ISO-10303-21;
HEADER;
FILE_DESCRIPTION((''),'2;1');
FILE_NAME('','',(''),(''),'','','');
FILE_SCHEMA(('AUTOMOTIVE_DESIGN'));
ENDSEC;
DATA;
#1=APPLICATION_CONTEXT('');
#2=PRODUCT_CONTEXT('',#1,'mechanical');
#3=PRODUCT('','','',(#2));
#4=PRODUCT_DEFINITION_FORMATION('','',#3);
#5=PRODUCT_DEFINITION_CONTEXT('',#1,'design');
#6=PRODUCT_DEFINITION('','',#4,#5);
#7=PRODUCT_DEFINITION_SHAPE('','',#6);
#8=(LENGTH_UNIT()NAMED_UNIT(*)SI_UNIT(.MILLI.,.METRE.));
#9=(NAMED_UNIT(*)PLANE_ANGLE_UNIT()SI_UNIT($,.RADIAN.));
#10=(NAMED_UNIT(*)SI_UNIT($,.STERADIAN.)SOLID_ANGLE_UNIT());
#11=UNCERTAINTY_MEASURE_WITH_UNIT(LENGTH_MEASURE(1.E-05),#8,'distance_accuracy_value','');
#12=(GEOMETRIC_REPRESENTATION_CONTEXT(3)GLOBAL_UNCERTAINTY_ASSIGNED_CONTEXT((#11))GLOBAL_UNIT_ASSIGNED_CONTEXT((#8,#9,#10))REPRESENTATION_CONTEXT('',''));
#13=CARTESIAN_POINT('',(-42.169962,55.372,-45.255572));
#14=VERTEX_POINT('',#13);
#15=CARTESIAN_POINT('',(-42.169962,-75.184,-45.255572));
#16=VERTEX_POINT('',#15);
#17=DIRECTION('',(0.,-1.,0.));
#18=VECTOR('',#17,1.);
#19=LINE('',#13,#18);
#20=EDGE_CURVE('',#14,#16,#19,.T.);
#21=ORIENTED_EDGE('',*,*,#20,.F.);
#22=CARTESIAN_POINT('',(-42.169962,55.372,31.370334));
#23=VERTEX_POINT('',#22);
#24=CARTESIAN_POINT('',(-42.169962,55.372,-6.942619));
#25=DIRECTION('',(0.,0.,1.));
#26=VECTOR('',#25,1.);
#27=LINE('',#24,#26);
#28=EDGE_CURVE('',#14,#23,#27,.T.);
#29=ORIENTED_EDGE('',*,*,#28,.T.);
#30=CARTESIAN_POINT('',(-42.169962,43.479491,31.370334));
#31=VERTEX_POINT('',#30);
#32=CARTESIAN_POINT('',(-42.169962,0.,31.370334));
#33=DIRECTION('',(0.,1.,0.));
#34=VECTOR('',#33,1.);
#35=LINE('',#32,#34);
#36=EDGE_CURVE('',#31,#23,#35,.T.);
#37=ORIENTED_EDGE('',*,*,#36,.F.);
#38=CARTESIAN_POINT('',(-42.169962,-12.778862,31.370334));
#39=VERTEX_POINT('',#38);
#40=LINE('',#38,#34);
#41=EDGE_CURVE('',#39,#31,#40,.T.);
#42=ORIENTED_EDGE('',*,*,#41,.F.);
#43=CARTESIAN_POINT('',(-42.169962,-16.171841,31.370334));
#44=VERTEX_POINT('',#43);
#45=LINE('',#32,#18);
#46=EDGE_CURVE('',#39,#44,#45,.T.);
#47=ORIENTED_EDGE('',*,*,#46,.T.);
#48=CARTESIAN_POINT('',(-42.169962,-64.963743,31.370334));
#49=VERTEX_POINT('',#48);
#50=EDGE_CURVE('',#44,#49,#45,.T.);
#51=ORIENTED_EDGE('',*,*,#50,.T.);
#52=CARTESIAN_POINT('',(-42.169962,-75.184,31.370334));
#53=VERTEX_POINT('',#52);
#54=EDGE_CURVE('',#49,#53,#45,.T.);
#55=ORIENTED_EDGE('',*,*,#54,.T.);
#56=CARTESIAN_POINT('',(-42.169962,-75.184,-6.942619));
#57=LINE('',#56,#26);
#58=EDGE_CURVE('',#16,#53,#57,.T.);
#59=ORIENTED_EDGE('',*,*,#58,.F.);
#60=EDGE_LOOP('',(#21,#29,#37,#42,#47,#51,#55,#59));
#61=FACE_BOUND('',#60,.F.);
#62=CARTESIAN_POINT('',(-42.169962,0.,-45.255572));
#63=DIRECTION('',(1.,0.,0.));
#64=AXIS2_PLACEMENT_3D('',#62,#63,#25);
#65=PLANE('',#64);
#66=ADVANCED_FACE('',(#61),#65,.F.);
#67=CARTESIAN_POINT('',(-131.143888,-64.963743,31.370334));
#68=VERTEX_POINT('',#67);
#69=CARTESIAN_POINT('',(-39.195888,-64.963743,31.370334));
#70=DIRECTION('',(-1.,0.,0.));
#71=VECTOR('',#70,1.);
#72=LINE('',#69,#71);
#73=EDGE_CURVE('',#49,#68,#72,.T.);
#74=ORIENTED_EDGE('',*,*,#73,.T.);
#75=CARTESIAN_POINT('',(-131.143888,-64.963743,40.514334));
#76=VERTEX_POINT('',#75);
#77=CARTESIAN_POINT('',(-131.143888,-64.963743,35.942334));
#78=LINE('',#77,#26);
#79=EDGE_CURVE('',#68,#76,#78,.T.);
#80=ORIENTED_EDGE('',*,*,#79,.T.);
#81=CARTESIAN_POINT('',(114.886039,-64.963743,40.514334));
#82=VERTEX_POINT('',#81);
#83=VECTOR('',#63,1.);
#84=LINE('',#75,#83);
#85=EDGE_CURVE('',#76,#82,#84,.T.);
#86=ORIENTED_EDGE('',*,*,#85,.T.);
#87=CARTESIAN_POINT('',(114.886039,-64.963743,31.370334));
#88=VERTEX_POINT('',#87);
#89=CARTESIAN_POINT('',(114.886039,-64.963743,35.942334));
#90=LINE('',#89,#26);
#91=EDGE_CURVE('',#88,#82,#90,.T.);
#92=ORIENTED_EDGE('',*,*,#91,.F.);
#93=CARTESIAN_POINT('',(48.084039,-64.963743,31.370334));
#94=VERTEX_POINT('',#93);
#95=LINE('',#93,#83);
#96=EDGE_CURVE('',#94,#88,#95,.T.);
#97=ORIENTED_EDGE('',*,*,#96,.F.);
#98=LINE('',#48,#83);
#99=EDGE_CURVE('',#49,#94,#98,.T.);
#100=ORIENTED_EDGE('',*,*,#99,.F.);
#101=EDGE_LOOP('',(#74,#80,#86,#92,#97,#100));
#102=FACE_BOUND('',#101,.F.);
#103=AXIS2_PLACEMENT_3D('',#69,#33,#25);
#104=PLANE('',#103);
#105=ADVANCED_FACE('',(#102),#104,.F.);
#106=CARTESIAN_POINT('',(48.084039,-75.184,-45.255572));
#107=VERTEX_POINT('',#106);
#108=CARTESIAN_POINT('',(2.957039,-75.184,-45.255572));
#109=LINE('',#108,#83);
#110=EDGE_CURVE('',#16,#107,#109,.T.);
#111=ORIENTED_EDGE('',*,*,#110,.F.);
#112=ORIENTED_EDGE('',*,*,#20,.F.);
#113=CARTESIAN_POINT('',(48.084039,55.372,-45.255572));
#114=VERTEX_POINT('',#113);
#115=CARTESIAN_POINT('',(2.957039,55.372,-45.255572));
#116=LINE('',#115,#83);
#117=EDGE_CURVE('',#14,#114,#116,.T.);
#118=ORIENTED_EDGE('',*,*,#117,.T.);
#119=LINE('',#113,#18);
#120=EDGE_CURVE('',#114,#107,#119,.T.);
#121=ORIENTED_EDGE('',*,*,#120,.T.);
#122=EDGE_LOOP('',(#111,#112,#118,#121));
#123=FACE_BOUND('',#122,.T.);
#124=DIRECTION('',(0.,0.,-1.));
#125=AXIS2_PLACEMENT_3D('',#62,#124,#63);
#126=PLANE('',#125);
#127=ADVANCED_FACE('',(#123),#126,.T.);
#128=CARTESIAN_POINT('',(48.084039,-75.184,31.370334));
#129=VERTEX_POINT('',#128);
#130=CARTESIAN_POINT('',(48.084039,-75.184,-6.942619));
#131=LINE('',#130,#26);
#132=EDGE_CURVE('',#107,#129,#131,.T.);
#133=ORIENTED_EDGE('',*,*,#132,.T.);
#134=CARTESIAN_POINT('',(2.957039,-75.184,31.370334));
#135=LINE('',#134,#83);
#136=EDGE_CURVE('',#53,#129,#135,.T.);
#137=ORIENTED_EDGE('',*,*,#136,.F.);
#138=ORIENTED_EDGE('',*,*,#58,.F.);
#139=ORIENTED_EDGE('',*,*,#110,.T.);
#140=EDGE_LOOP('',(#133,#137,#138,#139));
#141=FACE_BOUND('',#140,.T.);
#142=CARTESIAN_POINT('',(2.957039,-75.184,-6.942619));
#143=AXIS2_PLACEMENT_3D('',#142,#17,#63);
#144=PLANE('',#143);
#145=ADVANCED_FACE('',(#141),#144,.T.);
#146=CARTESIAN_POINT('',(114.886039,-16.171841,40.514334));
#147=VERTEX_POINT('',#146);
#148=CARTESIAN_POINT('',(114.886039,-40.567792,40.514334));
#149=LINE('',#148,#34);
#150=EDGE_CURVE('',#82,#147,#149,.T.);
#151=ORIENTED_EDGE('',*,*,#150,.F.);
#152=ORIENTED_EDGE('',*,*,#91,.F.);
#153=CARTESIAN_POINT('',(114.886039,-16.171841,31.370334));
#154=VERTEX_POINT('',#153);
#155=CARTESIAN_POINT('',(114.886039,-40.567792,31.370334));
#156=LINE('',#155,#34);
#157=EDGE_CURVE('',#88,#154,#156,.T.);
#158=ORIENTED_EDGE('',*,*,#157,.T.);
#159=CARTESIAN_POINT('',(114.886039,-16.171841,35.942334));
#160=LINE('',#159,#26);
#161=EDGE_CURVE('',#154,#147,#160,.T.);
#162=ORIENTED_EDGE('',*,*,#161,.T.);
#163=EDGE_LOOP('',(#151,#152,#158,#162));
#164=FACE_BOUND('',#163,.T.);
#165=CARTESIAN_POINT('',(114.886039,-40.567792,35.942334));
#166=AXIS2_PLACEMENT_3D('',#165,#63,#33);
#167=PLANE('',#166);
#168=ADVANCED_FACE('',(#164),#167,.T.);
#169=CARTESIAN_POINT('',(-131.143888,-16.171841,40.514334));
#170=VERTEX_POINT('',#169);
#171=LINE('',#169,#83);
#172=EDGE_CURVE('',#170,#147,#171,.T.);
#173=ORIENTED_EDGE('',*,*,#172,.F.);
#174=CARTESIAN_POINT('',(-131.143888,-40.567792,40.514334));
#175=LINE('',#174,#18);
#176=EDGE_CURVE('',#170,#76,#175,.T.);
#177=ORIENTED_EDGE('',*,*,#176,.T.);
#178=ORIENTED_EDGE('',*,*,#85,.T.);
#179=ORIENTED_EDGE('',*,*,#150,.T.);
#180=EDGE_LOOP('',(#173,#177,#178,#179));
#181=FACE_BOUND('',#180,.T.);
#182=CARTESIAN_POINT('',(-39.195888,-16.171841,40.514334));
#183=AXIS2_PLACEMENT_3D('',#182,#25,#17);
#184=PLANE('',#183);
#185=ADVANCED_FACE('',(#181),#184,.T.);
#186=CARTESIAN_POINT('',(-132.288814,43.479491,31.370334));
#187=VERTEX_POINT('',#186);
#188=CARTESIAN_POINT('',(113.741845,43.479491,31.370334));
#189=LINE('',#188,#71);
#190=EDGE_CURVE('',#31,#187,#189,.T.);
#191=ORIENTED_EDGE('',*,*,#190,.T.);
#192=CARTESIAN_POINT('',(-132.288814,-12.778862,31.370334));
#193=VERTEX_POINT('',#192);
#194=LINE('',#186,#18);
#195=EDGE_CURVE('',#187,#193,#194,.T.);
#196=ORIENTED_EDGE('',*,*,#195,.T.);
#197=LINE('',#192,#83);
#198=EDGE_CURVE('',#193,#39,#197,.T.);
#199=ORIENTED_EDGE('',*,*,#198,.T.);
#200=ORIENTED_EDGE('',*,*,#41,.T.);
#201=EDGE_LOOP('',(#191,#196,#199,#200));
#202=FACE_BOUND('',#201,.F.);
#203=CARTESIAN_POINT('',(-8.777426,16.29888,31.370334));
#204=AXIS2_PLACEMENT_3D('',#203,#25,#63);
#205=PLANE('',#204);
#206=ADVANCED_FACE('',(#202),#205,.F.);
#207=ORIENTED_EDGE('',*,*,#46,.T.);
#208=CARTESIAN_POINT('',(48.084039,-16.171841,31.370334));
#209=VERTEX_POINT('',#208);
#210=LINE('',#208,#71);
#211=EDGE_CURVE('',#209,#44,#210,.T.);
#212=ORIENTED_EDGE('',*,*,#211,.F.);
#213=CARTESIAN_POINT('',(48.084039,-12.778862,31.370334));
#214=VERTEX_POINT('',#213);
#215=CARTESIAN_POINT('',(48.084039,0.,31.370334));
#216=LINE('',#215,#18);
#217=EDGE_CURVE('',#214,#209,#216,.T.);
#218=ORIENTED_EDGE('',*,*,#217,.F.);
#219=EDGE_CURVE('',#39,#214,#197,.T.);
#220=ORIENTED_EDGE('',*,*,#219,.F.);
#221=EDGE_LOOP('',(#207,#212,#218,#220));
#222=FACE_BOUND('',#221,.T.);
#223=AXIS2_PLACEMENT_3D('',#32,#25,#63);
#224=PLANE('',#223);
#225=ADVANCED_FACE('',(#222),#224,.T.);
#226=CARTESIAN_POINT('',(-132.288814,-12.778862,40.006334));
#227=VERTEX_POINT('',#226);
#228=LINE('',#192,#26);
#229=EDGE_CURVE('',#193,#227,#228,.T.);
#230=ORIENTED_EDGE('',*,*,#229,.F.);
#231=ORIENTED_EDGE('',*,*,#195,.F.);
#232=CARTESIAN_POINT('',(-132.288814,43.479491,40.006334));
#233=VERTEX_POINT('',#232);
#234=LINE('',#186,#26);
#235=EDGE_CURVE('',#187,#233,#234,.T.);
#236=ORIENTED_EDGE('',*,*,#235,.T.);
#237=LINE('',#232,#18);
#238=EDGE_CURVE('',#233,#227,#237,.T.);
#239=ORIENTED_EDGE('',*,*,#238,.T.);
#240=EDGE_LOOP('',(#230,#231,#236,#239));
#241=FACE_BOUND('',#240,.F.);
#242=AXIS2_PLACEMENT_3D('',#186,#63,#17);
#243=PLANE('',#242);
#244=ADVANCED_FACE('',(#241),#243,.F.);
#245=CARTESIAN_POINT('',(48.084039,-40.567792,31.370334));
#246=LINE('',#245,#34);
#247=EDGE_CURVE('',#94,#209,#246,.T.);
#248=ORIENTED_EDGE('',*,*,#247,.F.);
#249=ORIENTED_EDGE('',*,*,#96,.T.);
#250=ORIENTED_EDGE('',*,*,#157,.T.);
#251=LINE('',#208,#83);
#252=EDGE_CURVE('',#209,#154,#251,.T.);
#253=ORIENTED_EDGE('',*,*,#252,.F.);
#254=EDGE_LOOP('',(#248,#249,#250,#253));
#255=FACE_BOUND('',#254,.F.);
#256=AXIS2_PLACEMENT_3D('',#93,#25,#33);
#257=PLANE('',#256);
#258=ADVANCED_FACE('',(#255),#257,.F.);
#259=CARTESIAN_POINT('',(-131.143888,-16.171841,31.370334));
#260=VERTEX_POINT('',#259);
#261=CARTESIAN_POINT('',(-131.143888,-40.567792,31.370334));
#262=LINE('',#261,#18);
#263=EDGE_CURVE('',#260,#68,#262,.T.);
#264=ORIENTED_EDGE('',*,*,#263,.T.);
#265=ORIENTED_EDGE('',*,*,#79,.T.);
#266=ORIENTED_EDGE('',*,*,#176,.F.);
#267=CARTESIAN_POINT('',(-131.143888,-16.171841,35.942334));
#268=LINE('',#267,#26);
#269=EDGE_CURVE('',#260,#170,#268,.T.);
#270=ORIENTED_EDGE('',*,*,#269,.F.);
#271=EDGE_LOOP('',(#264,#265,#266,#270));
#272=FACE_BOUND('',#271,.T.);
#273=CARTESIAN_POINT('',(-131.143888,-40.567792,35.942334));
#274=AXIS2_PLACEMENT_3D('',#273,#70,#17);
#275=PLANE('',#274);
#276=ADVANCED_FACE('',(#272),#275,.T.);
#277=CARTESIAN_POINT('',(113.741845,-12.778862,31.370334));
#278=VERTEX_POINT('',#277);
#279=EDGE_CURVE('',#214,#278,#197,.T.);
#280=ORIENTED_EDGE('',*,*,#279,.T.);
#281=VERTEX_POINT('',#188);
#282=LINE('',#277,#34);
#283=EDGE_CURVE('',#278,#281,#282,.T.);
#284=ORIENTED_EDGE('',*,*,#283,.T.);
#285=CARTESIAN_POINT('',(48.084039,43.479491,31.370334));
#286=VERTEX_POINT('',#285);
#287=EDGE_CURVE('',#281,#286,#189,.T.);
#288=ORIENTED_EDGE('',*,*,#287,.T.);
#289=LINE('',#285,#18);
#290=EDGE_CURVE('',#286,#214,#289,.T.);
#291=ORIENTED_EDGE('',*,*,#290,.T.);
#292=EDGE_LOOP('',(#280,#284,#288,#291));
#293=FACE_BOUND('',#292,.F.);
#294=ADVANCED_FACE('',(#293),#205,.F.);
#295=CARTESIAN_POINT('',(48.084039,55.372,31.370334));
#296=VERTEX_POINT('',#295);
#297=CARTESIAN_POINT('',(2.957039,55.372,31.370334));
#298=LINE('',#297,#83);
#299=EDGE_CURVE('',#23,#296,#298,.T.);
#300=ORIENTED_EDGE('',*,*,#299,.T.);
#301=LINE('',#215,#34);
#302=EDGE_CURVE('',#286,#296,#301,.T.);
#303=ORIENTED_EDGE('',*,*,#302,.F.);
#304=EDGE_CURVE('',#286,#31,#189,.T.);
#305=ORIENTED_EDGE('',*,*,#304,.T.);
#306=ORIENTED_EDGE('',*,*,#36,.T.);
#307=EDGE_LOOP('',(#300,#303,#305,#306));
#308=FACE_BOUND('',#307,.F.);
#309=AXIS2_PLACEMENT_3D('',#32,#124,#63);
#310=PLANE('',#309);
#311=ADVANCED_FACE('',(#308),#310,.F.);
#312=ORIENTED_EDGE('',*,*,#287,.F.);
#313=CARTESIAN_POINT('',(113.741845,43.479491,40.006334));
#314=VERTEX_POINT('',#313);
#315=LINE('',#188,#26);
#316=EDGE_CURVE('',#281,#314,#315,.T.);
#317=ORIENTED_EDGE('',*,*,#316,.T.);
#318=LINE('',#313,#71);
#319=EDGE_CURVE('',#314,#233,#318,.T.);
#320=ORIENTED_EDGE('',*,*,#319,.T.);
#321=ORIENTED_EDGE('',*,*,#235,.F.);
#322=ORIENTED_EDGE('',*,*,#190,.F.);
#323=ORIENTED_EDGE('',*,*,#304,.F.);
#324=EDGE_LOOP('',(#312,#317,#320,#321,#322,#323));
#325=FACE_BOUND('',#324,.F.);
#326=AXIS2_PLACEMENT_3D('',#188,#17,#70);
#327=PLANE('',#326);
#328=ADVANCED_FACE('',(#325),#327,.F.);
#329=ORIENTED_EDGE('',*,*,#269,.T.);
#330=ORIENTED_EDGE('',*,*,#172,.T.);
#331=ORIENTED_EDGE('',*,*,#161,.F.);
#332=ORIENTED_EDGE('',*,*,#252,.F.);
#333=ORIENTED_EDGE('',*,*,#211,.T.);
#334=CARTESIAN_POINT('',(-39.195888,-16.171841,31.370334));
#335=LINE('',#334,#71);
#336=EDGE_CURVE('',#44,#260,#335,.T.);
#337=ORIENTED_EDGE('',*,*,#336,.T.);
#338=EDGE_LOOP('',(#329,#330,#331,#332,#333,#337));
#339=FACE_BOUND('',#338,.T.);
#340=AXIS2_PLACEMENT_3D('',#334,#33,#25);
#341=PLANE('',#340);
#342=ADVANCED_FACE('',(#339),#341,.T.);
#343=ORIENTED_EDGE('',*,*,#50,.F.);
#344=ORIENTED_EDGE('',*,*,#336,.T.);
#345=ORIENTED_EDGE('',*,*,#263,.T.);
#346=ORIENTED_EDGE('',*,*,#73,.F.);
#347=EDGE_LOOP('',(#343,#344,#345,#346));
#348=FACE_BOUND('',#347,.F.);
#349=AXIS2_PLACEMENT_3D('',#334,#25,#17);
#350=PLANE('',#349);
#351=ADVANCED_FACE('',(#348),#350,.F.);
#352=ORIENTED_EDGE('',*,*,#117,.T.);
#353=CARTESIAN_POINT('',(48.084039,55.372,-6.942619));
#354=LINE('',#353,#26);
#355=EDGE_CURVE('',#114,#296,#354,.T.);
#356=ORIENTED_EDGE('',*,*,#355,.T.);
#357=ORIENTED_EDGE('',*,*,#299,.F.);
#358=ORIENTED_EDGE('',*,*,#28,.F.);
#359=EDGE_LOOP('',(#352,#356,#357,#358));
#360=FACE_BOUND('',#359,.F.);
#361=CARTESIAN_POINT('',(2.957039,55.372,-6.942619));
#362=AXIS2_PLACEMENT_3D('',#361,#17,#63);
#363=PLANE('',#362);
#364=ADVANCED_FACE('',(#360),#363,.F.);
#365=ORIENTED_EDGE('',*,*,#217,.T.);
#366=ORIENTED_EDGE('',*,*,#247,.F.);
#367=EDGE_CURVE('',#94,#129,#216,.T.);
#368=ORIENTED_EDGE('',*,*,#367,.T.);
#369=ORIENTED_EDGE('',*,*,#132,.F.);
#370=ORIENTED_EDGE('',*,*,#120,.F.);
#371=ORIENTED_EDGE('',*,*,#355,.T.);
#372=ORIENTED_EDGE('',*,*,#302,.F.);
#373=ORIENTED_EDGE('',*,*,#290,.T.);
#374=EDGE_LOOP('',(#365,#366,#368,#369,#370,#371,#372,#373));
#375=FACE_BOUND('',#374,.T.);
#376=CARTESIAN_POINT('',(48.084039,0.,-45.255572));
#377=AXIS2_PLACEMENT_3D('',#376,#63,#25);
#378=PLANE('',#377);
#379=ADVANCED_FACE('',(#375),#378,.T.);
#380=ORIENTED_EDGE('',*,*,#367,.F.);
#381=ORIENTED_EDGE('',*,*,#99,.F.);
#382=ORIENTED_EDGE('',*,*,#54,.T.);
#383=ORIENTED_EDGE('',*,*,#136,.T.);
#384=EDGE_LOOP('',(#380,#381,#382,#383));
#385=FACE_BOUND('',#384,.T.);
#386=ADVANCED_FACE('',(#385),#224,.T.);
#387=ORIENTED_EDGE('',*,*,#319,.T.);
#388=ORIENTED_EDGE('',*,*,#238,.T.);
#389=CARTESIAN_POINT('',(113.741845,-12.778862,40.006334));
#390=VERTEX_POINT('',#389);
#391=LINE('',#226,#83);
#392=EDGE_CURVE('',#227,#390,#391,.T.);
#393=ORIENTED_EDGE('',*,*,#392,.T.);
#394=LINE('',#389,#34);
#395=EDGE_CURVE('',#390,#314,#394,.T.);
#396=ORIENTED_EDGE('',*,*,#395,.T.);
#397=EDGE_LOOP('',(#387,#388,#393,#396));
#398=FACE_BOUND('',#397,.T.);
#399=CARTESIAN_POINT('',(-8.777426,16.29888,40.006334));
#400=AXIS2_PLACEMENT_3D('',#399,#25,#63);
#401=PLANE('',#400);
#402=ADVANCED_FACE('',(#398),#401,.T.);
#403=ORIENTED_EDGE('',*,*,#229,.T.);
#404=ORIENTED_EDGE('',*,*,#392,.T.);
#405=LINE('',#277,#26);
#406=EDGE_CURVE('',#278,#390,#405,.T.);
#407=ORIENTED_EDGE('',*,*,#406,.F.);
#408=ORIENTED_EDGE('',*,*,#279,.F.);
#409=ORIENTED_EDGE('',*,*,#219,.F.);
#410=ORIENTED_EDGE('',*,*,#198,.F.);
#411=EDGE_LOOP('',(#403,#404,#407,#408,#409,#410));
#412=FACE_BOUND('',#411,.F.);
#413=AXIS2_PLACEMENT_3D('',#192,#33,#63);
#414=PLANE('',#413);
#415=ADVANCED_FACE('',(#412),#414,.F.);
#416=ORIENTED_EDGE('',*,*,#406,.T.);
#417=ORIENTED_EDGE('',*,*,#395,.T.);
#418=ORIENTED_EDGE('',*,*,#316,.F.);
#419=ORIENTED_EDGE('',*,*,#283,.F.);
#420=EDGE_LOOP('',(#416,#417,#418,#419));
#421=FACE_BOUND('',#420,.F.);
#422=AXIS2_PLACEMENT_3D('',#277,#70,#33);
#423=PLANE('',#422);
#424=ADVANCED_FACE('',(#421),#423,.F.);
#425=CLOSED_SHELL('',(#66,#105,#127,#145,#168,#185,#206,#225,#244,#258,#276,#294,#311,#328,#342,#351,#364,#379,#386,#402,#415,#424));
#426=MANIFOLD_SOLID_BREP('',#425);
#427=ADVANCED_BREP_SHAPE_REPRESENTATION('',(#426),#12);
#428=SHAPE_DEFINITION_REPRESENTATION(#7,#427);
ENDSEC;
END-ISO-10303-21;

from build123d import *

# Parameters (mm, degrees)
F0_W      = 90.2540013194
F0_H      = 76.625905931
F1_DEPTH  = 75.184
F2_W      = 87.2799269855
F2_H      = 48.7919023726
F3_DEPTH  = 9.144
F4_W      = 48.7919023726
F4_H      = 9.144
F5_DEPTH  = 66.802
F6_W      = 48.7919023726
F6_H      = 9.144
F7_DEPTH  = 91.948
F8_W      = 90.2540013194
F8_H      = 12.7788623795
F9_DEPTH  = 8.636
F10_DEPTH = 55.372


with BuildPart() as f1:
    # F0 (on Front) → F1 (new body)
    with BuildSketch(Plane.XZ):
        with Locations((2.9570385814, -6.9426186383)):
            Rectangle(F0_W, F0_H)
    extrude(amount=F1_DEPTH)

    # F2 (on face) → F3 (join)
    with BuildSketch(Plane.XY.offset(31.3703343272)):
        with Locations((4.4440757483, -40.5677921372)):
            Rectangle(F2_W, F2_H)
    extrude(amount=F3_DEPTH)

    # F4 (on face) → F5 (join)
    with BuildSketch(Plane.YZ.offset(48.0840392411)):
        with Locations((-40.5677921372, 35.9423343272)):
            Rectangle(F4_W, F4_H)
    extrude(amount=F5_DEPTH)

    # F6 (on face) → F7 (join)
    with BuildSketch(Plane(origin=(-39.1958877444, 0, 0), x_dir=(0, -1, 0), z_dir=(-1, 0, 0))):
        with Locations((40.5677921372, 35.9423343272)):
            Rectangle(F6_W, F6_H)
    extrude(amount=F7_DEPTH)

    # F8 (on face) → F9 (join)
    with BuildSketch(Plane.XY.offset(31.3703343272)):
        Polygon((-132.288813591, 43.4794910252), (-132.288813591, -12.7788623795), (-42.1699620783, -12.7788623795), (-42.1699620783, 0), (48.0840392411, 0), (48.0840392411, -12.7788623795), (113.7418448925, -12.7788623795), (113.7418448925, 43.4794910252), align=None)
        with Locations((2.9570385814, -6.3894311897)):
            Rectangle(F8_W, F8_H)
    extrude(amount=F9_DEPTH)

    # F10 (add): a face of the model
    f10_faces = [f1.faces().sort_by_distance(p)[0] for p in [
        (2.9570385814, 0, -6.9426186383),
    ]]
    extrude(f10_faces, amount=F10_DEPTH)


solid = f1.part
